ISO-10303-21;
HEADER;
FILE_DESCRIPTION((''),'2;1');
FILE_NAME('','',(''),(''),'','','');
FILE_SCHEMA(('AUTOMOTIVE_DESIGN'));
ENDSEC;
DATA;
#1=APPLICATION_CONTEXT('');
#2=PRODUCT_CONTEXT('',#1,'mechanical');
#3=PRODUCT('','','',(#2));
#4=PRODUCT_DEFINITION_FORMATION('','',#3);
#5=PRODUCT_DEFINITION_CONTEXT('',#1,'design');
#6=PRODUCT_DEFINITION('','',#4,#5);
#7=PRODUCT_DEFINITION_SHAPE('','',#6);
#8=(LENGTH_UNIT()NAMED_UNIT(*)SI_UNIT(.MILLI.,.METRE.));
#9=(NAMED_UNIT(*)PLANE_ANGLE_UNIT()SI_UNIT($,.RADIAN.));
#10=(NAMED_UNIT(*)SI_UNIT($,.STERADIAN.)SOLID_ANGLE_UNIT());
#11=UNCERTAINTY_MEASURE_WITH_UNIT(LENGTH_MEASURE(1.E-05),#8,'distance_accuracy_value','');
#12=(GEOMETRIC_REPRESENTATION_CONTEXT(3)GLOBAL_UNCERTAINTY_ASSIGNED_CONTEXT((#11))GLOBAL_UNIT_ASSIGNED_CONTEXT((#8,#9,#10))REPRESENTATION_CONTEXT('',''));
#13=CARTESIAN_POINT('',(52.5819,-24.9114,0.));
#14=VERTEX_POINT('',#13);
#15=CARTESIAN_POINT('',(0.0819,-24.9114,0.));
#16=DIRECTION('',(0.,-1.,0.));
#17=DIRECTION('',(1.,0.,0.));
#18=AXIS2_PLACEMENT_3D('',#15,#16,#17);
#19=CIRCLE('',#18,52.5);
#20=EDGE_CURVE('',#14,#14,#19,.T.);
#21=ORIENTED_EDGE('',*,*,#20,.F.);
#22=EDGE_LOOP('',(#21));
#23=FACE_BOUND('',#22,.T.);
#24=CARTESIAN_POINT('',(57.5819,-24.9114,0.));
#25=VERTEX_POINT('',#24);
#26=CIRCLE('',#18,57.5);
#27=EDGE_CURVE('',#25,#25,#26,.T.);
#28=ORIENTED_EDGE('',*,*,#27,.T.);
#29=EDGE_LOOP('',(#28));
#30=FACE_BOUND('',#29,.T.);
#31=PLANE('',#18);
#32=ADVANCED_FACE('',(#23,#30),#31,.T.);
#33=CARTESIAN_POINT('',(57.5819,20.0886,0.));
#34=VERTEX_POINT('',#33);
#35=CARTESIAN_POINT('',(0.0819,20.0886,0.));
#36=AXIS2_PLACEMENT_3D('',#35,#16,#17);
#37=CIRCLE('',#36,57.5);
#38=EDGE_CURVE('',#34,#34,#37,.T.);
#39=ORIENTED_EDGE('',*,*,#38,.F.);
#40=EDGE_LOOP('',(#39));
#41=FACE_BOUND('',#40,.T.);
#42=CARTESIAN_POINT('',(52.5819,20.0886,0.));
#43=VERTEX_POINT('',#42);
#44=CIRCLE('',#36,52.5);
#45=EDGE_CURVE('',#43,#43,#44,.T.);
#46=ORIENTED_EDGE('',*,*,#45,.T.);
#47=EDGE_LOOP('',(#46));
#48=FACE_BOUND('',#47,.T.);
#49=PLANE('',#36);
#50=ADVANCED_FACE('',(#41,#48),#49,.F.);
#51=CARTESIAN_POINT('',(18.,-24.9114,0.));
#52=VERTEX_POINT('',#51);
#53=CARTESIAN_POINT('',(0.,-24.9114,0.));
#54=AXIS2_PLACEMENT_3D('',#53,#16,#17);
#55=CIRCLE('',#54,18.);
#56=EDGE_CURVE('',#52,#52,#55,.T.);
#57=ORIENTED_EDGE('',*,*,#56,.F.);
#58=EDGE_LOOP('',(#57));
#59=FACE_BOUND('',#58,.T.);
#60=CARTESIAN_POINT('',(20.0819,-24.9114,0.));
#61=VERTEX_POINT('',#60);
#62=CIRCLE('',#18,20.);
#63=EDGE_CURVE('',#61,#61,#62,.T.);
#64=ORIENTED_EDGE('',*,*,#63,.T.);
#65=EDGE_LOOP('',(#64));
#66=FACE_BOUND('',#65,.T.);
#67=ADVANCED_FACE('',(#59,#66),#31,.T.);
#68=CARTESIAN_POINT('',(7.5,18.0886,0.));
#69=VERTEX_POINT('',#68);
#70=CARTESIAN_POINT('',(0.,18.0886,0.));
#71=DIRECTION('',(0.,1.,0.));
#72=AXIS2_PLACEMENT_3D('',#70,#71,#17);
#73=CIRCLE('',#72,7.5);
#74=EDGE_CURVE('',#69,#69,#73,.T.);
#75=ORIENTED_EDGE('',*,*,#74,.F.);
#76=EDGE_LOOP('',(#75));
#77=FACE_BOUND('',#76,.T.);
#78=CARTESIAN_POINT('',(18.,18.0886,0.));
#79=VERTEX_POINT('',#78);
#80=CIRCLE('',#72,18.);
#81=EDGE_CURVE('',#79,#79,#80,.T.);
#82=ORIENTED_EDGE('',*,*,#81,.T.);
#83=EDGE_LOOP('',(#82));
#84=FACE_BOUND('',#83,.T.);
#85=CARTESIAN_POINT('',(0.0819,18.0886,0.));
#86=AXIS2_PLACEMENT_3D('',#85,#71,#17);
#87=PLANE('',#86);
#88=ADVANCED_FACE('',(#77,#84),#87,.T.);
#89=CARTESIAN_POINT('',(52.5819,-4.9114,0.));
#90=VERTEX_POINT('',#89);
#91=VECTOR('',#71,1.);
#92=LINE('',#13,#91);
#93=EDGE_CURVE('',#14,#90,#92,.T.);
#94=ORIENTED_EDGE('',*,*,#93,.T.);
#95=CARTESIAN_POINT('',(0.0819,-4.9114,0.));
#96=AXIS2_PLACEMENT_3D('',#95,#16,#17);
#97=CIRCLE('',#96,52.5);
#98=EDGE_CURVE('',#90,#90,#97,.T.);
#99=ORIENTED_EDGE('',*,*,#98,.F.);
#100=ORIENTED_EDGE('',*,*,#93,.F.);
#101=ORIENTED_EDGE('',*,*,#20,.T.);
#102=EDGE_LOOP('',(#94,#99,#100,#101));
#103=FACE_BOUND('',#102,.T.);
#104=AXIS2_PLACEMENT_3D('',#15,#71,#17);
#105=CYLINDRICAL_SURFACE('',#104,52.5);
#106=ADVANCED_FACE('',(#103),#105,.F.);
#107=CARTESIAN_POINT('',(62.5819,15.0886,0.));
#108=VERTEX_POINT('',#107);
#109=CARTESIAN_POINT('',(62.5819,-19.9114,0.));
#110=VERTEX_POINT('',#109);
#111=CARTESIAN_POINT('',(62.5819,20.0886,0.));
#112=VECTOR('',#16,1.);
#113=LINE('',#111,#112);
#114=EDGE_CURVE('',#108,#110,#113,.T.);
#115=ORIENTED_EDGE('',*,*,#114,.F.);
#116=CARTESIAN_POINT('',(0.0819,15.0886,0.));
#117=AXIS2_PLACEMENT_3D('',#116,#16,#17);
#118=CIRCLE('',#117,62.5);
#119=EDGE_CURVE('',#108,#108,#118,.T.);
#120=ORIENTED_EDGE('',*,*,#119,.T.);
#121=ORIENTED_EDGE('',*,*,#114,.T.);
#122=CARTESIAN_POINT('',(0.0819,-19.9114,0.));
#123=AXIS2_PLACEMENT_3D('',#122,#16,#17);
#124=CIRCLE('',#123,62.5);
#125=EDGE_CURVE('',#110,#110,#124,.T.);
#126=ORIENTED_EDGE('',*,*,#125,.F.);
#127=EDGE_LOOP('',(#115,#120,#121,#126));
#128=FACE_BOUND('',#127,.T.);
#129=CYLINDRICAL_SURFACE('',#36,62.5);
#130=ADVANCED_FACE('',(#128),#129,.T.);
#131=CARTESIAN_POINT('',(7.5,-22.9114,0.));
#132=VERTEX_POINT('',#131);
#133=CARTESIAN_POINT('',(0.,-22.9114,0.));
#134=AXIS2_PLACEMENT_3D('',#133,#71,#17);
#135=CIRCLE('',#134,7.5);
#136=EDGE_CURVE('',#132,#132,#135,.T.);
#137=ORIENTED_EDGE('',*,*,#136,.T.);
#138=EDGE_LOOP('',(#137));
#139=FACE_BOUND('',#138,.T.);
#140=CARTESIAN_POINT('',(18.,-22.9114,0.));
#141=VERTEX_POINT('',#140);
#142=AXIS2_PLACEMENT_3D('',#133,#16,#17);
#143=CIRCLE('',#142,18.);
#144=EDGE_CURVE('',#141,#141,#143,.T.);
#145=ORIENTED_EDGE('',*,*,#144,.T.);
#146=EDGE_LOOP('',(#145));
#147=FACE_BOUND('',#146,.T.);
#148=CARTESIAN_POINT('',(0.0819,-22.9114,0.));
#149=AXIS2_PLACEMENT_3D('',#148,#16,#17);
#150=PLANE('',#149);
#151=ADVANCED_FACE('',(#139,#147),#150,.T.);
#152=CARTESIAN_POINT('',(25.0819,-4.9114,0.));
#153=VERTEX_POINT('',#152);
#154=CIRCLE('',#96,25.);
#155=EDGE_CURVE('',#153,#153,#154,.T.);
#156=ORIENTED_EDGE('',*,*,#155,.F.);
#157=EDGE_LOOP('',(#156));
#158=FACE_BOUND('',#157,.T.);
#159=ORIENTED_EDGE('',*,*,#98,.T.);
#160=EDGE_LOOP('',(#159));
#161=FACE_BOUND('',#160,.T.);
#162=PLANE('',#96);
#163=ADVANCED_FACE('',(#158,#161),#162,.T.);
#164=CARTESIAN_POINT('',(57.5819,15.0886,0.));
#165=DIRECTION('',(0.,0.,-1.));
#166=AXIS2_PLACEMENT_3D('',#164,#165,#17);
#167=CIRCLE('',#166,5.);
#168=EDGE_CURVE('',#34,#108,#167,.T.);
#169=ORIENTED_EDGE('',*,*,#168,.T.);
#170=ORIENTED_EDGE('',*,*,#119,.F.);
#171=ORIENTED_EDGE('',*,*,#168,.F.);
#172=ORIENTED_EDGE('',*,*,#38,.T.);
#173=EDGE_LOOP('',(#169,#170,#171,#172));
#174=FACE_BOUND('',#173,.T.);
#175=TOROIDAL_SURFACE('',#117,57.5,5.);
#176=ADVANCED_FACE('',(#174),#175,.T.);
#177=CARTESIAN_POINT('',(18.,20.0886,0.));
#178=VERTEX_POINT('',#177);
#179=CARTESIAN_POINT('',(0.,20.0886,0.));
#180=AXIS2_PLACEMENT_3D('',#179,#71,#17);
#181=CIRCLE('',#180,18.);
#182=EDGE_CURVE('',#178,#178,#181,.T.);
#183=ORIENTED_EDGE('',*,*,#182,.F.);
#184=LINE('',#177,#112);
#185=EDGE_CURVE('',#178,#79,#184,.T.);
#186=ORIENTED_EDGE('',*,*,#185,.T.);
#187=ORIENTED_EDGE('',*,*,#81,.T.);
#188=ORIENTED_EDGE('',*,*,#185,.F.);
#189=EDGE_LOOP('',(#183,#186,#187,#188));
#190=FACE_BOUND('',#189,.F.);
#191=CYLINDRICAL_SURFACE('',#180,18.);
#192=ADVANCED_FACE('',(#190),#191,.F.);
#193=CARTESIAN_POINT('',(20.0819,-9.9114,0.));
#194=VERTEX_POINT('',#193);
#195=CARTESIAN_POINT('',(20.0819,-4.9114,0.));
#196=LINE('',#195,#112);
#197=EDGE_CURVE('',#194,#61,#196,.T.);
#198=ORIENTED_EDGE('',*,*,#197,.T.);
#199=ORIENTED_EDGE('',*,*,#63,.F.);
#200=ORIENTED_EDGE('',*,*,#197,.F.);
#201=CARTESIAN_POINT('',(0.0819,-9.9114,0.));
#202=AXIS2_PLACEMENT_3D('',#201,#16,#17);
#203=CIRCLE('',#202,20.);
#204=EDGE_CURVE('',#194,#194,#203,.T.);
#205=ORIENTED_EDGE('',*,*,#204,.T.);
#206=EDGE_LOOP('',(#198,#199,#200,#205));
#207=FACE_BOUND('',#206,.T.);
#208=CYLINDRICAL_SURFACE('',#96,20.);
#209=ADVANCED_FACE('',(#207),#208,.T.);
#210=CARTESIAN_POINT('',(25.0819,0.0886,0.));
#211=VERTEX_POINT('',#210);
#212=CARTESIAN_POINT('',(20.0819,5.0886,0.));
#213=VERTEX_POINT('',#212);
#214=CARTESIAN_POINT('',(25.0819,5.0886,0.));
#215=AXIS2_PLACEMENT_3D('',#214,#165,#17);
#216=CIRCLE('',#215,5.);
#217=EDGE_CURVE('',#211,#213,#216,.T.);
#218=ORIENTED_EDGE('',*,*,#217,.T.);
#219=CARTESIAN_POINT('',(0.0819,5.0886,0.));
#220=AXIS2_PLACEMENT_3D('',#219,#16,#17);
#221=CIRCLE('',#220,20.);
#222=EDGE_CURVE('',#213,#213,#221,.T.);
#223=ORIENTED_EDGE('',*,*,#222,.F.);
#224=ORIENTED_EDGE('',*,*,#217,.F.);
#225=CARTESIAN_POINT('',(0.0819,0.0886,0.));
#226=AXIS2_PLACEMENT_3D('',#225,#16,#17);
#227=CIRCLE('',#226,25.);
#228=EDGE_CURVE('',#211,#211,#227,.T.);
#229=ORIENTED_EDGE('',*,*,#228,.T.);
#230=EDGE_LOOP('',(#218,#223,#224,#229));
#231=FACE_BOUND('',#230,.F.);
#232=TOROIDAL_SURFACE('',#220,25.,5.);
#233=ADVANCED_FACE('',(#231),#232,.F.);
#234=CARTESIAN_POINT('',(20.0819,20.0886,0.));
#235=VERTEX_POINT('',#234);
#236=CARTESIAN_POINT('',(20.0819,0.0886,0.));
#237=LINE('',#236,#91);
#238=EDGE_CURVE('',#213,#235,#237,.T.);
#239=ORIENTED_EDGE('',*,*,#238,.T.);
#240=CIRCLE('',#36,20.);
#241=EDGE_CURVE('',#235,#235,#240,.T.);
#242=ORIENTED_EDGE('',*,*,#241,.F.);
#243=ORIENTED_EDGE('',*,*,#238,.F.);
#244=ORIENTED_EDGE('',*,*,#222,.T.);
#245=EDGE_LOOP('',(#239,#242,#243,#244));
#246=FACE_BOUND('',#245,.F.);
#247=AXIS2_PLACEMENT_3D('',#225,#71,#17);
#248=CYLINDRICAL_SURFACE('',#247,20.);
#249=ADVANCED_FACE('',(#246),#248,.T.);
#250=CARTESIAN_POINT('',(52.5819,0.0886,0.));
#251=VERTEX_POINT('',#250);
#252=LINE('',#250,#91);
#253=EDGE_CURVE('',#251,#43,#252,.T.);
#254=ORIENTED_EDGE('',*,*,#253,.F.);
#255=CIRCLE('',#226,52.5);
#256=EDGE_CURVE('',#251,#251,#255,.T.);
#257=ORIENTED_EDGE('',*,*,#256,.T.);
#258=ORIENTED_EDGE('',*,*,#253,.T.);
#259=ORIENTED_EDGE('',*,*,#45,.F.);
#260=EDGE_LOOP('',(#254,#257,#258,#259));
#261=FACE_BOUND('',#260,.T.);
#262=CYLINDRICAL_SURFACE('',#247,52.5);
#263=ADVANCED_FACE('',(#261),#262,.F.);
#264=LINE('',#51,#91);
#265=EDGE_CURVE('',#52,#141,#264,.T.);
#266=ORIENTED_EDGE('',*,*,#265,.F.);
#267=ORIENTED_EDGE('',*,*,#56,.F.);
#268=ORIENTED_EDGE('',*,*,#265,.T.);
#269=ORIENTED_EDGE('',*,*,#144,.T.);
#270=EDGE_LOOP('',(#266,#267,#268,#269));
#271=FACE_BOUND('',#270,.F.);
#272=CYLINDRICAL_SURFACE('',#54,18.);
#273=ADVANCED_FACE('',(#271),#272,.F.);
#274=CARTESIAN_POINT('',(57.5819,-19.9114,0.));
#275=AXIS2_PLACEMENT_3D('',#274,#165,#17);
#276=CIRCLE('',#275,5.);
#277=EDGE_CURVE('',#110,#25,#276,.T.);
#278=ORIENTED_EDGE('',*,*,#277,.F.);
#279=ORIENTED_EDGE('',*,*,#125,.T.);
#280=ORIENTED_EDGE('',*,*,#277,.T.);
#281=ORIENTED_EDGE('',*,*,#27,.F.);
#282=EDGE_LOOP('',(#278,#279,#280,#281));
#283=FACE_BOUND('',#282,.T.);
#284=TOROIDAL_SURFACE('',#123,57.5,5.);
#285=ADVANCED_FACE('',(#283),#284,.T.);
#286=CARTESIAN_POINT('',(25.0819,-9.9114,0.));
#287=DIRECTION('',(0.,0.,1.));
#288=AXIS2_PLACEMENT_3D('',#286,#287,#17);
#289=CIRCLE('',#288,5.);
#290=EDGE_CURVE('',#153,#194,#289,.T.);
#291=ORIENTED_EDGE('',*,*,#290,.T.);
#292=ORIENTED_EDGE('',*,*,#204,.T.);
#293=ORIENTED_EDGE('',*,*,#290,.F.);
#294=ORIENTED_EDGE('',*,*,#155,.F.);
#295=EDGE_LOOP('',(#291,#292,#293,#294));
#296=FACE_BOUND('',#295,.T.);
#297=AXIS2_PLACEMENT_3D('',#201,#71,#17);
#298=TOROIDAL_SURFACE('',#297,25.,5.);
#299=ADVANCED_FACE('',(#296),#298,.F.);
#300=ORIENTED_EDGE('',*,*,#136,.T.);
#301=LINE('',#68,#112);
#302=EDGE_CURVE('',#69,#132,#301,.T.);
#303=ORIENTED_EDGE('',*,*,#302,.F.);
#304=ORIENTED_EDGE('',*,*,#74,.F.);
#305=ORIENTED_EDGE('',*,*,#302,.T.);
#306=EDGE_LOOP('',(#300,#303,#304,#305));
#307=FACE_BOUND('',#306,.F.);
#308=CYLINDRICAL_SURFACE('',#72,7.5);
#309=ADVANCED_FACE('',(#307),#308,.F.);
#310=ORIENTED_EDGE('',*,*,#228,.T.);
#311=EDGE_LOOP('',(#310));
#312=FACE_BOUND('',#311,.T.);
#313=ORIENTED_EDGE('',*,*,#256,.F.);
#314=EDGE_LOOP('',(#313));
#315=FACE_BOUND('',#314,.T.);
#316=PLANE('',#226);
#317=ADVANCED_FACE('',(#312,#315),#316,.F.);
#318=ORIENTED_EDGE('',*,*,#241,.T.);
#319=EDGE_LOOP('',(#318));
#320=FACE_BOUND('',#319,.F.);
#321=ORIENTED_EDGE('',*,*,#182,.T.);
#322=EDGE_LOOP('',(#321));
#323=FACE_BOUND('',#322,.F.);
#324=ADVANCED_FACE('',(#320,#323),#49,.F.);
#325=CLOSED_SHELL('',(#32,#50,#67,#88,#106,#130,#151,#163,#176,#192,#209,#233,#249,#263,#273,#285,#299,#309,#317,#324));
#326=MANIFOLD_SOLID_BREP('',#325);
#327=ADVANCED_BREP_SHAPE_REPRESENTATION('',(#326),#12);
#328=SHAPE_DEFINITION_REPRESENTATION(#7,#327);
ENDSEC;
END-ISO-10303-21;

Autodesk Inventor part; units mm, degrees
ref_plane "YZ Plane" through (0, 0, 0) normal (1, 0, 0) x (0, 1, 0)
ref_plane "XZ Plane" through (0, 0, 0) normal (0, 1, 0) x (-1, 0, 0)
ref_plane "XY Plane" through (0, 0, 0) normal (0, 0, 1) x (1, 0, 0)
sketch "Sketch1" plane through (0, 0, 0) normal (0, 0, 1) x (1, 0, 0)
  line L0 (0.0819, 48.1439) -> (0.0819, -16.0521)
  line L1 (0.0819, 0.0886) -> (20.0819, 0.0886)
  line L2 (20.0819, 0.0886) -> (20.0819, 20.0886)
  line L3 (20.0819, 20.0886) -> (0.0819, 20.0886)
  line L4 (0.0819, 20.0886) -> (0.0819, 0.0886)
  line L5 (0.0819, 0.0886) -> (62.5819, 0.0886)
  line L6 (62.5819, 0.0886) -> (62.5819, -4.9114)
  line L7 (62.5819, -4.9114) -> (0.0819, -4.9114)
  line L8 (0.0819, -4.9114) -> (0.0819, 0.0886)
  line L9 (62.5819, 0.0886) -> (52.5819, 0.0886)
  line L10 (52.5819, 0.0886) -> (52.5819, 20.0886)
  line L11 (52.5819, 20.0886) -> (62.5819, 20.0886)
  line L12 (62.5819, 20.0886) -> (62.5819, 0.0886)
  line L13 (0.0819, -4.9114) -> (20.0819, -4.9114)
  line L14 (20.0819, -4.9114) -> (20.0819, -24.9114)
  line L15 (20.0819, -24.9114) -> (0.0819, -24.9114)
  line L16 (0.0819, -24.9114) -> (0.0819, -4.9114)
  line L17 (52.5819, -4.9114) -> (62.5819, -4.9114)
  line L18 (62.5819, -4.9114) -> (62.5819, -24.9114)
  line L19 (62.5819, -24.9114) -> (52.5819, -24.9114)
  line L20 (52.5819, -24.9114) -> (52.5819, -4.9114)
  dimension "d4" = 62.5
  dimension "d5" = 20
  dimension "d6" = 20
  dimension "d7" = 20
  dimension "d8" = 10
  dimension "d10" = 20
  dimension "d11" = 20
  dimension "d12" = 5
  dimension "d13" = 20
  dimension "d14" = 10
revolve "Revolution2" add sketch "Sketch1" angle 360 about axis through (0.0819, 48.1439, 0) along (0, -1, 0)
fillet "Fillet1" radius 5 2 edges at (-62.4181, 20.0886, 0) (-62.4181, -24.9114, 0)
fillet "Fillet2" radius 5 1 edges at (-19.9181, 0.0886, 0)
fillet "Fillet3" radius 5 1 edges at (-19.9181, -4.9114, 0)
sketch "Sketch2" plane through (0.0819, 20.0886, 0) normal (0, 1, 0) x (1, 0, 0)
  circle A0 centre (-0.0819, 0) radius 18
  dimension "d21" = 36
extrude "Extrusion1" cut sketch "Sketch2" against normal blind 2
sketch "Sketch3" plane through (0.0819, -24.9114, 0) normal (0, -1, 0) x (1, 0, 0)
  circle A0 centre (-0.0819, 0) radius 18
  dimension "d22" = 36
extrude "Extrusion2" cut sketch "Sketch3" against normal blind 2
sketch "Sketch4" plane through (0, 18.0886, 0) normal (0, 1, 0) x (1, 0, 0)
  circle A0 centre (0, 0) radius 7.5
  dimension "d25" = 15
extrude "Extrusion3" cut sketch "Sketch4" against normal through all
properties part number "Wheel" material "Polyethylene, High Density"
